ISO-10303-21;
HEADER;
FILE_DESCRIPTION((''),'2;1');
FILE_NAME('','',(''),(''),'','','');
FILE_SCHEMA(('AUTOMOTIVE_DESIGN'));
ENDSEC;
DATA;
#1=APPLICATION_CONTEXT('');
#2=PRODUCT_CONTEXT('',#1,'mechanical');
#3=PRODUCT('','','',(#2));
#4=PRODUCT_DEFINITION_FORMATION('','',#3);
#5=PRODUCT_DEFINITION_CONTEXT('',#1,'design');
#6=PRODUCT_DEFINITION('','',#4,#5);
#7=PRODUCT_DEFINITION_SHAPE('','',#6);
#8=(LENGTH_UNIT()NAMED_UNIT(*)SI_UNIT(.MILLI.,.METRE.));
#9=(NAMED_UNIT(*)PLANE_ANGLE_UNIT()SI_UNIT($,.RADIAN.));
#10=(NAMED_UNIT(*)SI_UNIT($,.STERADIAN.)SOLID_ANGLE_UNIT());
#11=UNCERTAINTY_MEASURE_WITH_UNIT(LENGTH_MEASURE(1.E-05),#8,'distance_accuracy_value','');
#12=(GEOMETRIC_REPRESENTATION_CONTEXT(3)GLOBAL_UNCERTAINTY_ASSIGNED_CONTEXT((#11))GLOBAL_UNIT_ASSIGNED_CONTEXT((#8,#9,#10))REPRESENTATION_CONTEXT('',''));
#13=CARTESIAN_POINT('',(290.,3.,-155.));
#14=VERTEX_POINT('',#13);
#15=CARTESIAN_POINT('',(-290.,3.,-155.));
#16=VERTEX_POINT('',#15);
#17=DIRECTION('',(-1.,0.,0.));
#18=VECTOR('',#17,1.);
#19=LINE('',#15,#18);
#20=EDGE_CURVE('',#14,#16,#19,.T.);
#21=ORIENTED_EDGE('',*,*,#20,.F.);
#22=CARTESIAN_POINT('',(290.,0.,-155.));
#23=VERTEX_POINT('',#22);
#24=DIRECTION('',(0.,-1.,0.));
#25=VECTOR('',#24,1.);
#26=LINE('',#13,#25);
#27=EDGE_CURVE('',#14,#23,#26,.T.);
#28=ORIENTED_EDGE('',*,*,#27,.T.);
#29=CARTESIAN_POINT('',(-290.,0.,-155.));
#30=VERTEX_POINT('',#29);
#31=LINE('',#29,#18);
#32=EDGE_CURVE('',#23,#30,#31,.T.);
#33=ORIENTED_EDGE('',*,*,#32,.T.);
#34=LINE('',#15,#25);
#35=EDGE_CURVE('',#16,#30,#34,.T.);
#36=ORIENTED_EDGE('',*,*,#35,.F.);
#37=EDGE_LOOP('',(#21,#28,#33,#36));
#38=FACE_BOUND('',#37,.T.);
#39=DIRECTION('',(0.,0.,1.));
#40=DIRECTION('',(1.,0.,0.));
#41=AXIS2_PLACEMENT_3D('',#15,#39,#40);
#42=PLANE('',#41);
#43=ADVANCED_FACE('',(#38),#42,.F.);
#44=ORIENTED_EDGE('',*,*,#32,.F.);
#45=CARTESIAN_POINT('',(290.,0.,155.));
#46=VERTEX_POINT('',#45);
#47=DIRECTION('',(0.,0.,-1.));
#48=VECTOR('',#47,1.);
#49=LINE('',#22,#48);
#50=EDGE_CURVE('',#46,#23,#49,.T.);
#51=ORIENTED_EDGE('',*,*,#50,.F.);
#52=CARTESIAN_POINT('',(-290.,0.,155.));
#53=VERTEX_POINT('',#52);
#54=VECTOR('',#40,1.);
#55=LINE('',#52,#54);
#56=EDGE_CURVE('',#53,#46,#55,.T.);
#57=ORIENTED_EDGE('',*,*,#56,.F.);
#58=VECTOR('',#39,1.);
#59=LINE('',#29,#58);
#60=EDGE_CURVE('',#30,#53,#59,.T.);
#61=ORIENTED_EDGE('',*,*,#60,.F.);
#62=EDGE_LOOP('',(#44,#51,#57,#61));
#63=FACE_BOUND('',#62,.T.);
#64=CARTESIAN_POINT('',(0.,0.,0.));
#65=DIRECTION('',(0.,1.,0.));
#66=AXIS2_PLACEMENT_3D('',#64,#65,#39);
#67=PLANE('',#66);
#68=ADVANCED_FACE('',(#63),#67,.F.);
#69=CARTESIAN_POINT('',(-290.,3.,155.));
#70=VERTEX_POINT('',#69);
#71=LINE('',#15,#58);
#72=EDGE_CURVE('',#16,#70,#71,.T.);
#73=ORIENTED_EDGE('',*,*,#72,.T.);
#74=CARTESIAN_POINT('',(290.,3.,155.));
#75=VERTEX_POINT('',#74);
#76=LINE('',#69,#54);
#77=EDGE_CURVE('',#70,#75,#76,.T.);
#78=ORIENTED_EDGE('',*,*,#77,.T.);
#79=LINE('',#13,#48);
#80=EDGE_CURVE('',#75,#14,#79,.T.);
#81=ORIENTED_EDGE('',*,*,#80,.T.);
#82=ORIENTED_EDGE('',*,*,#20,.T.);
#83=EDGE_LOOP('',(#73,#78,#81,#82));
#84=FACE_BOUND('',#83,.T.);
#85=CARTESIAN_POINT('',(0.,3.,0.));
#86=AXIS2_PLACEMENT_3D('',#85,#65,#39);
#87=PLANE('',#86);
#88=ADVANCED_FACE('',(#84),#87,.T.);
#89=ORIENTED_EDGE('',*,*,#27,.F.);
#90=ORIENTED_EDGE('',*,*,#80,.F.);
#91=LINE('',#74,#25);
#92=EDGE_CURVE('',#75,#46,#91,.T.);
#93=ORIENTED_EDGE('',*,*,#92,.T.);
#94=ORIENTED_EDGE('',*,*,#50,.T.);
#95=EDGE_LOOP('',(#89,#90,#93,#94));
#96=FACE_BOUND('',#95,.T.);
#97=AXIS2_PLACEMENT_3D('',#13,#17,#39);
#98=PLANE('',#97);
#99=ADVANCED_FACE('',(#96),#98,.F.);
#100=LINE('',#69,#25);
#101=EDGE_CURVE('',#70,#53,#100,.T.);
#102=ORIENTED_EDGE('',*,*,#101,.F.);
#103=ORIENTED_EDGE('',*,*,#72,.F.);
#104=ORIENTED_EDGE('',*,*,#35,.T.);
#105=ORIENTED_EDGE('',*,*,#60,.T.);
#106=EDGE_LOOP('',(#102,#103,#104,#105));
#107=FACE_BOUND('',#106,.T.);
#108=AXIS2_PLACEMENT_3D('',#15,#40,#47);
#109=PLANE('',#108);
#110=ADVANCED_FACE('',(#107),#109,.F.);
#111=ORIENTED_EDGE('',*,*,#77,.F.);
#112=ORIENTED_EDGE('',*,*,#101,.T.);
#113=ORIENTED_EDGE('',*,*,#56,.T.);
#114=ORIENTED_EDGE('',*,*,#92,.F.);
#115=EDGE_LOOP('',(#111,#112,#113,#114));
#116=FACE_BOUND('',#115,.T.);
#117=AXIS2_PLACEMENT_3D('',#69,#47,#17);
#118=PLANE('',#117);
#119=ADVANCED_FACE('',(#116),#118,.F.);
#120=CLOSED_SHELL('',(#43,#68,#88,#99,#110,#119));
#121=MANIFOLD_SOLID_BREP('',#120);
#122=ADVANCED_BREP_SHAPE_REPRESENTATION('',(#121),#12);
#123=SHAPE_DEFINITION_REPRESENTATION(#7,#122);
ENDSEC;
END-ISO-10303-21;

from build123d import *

# Parameters (mm, degrees)
SKETCH_1_W      = 580
SKETCH_1_H      = 310
EXTRUDE_1_DEPTH = 3


with BuildPart() as part:
    # 草图1 → 凸台-拉伸1 (new body)
    with BuildSketch(Plane(origin=(0, 0, 0), x_dir=(1, 0, 0), z_dir=(0, 1, 0))):
        Rectangle(SKETCH_1_W, SKETCH_1_H)
    extrude(amount=EXTRUDE_1_DEPTH)


solid = part.part
